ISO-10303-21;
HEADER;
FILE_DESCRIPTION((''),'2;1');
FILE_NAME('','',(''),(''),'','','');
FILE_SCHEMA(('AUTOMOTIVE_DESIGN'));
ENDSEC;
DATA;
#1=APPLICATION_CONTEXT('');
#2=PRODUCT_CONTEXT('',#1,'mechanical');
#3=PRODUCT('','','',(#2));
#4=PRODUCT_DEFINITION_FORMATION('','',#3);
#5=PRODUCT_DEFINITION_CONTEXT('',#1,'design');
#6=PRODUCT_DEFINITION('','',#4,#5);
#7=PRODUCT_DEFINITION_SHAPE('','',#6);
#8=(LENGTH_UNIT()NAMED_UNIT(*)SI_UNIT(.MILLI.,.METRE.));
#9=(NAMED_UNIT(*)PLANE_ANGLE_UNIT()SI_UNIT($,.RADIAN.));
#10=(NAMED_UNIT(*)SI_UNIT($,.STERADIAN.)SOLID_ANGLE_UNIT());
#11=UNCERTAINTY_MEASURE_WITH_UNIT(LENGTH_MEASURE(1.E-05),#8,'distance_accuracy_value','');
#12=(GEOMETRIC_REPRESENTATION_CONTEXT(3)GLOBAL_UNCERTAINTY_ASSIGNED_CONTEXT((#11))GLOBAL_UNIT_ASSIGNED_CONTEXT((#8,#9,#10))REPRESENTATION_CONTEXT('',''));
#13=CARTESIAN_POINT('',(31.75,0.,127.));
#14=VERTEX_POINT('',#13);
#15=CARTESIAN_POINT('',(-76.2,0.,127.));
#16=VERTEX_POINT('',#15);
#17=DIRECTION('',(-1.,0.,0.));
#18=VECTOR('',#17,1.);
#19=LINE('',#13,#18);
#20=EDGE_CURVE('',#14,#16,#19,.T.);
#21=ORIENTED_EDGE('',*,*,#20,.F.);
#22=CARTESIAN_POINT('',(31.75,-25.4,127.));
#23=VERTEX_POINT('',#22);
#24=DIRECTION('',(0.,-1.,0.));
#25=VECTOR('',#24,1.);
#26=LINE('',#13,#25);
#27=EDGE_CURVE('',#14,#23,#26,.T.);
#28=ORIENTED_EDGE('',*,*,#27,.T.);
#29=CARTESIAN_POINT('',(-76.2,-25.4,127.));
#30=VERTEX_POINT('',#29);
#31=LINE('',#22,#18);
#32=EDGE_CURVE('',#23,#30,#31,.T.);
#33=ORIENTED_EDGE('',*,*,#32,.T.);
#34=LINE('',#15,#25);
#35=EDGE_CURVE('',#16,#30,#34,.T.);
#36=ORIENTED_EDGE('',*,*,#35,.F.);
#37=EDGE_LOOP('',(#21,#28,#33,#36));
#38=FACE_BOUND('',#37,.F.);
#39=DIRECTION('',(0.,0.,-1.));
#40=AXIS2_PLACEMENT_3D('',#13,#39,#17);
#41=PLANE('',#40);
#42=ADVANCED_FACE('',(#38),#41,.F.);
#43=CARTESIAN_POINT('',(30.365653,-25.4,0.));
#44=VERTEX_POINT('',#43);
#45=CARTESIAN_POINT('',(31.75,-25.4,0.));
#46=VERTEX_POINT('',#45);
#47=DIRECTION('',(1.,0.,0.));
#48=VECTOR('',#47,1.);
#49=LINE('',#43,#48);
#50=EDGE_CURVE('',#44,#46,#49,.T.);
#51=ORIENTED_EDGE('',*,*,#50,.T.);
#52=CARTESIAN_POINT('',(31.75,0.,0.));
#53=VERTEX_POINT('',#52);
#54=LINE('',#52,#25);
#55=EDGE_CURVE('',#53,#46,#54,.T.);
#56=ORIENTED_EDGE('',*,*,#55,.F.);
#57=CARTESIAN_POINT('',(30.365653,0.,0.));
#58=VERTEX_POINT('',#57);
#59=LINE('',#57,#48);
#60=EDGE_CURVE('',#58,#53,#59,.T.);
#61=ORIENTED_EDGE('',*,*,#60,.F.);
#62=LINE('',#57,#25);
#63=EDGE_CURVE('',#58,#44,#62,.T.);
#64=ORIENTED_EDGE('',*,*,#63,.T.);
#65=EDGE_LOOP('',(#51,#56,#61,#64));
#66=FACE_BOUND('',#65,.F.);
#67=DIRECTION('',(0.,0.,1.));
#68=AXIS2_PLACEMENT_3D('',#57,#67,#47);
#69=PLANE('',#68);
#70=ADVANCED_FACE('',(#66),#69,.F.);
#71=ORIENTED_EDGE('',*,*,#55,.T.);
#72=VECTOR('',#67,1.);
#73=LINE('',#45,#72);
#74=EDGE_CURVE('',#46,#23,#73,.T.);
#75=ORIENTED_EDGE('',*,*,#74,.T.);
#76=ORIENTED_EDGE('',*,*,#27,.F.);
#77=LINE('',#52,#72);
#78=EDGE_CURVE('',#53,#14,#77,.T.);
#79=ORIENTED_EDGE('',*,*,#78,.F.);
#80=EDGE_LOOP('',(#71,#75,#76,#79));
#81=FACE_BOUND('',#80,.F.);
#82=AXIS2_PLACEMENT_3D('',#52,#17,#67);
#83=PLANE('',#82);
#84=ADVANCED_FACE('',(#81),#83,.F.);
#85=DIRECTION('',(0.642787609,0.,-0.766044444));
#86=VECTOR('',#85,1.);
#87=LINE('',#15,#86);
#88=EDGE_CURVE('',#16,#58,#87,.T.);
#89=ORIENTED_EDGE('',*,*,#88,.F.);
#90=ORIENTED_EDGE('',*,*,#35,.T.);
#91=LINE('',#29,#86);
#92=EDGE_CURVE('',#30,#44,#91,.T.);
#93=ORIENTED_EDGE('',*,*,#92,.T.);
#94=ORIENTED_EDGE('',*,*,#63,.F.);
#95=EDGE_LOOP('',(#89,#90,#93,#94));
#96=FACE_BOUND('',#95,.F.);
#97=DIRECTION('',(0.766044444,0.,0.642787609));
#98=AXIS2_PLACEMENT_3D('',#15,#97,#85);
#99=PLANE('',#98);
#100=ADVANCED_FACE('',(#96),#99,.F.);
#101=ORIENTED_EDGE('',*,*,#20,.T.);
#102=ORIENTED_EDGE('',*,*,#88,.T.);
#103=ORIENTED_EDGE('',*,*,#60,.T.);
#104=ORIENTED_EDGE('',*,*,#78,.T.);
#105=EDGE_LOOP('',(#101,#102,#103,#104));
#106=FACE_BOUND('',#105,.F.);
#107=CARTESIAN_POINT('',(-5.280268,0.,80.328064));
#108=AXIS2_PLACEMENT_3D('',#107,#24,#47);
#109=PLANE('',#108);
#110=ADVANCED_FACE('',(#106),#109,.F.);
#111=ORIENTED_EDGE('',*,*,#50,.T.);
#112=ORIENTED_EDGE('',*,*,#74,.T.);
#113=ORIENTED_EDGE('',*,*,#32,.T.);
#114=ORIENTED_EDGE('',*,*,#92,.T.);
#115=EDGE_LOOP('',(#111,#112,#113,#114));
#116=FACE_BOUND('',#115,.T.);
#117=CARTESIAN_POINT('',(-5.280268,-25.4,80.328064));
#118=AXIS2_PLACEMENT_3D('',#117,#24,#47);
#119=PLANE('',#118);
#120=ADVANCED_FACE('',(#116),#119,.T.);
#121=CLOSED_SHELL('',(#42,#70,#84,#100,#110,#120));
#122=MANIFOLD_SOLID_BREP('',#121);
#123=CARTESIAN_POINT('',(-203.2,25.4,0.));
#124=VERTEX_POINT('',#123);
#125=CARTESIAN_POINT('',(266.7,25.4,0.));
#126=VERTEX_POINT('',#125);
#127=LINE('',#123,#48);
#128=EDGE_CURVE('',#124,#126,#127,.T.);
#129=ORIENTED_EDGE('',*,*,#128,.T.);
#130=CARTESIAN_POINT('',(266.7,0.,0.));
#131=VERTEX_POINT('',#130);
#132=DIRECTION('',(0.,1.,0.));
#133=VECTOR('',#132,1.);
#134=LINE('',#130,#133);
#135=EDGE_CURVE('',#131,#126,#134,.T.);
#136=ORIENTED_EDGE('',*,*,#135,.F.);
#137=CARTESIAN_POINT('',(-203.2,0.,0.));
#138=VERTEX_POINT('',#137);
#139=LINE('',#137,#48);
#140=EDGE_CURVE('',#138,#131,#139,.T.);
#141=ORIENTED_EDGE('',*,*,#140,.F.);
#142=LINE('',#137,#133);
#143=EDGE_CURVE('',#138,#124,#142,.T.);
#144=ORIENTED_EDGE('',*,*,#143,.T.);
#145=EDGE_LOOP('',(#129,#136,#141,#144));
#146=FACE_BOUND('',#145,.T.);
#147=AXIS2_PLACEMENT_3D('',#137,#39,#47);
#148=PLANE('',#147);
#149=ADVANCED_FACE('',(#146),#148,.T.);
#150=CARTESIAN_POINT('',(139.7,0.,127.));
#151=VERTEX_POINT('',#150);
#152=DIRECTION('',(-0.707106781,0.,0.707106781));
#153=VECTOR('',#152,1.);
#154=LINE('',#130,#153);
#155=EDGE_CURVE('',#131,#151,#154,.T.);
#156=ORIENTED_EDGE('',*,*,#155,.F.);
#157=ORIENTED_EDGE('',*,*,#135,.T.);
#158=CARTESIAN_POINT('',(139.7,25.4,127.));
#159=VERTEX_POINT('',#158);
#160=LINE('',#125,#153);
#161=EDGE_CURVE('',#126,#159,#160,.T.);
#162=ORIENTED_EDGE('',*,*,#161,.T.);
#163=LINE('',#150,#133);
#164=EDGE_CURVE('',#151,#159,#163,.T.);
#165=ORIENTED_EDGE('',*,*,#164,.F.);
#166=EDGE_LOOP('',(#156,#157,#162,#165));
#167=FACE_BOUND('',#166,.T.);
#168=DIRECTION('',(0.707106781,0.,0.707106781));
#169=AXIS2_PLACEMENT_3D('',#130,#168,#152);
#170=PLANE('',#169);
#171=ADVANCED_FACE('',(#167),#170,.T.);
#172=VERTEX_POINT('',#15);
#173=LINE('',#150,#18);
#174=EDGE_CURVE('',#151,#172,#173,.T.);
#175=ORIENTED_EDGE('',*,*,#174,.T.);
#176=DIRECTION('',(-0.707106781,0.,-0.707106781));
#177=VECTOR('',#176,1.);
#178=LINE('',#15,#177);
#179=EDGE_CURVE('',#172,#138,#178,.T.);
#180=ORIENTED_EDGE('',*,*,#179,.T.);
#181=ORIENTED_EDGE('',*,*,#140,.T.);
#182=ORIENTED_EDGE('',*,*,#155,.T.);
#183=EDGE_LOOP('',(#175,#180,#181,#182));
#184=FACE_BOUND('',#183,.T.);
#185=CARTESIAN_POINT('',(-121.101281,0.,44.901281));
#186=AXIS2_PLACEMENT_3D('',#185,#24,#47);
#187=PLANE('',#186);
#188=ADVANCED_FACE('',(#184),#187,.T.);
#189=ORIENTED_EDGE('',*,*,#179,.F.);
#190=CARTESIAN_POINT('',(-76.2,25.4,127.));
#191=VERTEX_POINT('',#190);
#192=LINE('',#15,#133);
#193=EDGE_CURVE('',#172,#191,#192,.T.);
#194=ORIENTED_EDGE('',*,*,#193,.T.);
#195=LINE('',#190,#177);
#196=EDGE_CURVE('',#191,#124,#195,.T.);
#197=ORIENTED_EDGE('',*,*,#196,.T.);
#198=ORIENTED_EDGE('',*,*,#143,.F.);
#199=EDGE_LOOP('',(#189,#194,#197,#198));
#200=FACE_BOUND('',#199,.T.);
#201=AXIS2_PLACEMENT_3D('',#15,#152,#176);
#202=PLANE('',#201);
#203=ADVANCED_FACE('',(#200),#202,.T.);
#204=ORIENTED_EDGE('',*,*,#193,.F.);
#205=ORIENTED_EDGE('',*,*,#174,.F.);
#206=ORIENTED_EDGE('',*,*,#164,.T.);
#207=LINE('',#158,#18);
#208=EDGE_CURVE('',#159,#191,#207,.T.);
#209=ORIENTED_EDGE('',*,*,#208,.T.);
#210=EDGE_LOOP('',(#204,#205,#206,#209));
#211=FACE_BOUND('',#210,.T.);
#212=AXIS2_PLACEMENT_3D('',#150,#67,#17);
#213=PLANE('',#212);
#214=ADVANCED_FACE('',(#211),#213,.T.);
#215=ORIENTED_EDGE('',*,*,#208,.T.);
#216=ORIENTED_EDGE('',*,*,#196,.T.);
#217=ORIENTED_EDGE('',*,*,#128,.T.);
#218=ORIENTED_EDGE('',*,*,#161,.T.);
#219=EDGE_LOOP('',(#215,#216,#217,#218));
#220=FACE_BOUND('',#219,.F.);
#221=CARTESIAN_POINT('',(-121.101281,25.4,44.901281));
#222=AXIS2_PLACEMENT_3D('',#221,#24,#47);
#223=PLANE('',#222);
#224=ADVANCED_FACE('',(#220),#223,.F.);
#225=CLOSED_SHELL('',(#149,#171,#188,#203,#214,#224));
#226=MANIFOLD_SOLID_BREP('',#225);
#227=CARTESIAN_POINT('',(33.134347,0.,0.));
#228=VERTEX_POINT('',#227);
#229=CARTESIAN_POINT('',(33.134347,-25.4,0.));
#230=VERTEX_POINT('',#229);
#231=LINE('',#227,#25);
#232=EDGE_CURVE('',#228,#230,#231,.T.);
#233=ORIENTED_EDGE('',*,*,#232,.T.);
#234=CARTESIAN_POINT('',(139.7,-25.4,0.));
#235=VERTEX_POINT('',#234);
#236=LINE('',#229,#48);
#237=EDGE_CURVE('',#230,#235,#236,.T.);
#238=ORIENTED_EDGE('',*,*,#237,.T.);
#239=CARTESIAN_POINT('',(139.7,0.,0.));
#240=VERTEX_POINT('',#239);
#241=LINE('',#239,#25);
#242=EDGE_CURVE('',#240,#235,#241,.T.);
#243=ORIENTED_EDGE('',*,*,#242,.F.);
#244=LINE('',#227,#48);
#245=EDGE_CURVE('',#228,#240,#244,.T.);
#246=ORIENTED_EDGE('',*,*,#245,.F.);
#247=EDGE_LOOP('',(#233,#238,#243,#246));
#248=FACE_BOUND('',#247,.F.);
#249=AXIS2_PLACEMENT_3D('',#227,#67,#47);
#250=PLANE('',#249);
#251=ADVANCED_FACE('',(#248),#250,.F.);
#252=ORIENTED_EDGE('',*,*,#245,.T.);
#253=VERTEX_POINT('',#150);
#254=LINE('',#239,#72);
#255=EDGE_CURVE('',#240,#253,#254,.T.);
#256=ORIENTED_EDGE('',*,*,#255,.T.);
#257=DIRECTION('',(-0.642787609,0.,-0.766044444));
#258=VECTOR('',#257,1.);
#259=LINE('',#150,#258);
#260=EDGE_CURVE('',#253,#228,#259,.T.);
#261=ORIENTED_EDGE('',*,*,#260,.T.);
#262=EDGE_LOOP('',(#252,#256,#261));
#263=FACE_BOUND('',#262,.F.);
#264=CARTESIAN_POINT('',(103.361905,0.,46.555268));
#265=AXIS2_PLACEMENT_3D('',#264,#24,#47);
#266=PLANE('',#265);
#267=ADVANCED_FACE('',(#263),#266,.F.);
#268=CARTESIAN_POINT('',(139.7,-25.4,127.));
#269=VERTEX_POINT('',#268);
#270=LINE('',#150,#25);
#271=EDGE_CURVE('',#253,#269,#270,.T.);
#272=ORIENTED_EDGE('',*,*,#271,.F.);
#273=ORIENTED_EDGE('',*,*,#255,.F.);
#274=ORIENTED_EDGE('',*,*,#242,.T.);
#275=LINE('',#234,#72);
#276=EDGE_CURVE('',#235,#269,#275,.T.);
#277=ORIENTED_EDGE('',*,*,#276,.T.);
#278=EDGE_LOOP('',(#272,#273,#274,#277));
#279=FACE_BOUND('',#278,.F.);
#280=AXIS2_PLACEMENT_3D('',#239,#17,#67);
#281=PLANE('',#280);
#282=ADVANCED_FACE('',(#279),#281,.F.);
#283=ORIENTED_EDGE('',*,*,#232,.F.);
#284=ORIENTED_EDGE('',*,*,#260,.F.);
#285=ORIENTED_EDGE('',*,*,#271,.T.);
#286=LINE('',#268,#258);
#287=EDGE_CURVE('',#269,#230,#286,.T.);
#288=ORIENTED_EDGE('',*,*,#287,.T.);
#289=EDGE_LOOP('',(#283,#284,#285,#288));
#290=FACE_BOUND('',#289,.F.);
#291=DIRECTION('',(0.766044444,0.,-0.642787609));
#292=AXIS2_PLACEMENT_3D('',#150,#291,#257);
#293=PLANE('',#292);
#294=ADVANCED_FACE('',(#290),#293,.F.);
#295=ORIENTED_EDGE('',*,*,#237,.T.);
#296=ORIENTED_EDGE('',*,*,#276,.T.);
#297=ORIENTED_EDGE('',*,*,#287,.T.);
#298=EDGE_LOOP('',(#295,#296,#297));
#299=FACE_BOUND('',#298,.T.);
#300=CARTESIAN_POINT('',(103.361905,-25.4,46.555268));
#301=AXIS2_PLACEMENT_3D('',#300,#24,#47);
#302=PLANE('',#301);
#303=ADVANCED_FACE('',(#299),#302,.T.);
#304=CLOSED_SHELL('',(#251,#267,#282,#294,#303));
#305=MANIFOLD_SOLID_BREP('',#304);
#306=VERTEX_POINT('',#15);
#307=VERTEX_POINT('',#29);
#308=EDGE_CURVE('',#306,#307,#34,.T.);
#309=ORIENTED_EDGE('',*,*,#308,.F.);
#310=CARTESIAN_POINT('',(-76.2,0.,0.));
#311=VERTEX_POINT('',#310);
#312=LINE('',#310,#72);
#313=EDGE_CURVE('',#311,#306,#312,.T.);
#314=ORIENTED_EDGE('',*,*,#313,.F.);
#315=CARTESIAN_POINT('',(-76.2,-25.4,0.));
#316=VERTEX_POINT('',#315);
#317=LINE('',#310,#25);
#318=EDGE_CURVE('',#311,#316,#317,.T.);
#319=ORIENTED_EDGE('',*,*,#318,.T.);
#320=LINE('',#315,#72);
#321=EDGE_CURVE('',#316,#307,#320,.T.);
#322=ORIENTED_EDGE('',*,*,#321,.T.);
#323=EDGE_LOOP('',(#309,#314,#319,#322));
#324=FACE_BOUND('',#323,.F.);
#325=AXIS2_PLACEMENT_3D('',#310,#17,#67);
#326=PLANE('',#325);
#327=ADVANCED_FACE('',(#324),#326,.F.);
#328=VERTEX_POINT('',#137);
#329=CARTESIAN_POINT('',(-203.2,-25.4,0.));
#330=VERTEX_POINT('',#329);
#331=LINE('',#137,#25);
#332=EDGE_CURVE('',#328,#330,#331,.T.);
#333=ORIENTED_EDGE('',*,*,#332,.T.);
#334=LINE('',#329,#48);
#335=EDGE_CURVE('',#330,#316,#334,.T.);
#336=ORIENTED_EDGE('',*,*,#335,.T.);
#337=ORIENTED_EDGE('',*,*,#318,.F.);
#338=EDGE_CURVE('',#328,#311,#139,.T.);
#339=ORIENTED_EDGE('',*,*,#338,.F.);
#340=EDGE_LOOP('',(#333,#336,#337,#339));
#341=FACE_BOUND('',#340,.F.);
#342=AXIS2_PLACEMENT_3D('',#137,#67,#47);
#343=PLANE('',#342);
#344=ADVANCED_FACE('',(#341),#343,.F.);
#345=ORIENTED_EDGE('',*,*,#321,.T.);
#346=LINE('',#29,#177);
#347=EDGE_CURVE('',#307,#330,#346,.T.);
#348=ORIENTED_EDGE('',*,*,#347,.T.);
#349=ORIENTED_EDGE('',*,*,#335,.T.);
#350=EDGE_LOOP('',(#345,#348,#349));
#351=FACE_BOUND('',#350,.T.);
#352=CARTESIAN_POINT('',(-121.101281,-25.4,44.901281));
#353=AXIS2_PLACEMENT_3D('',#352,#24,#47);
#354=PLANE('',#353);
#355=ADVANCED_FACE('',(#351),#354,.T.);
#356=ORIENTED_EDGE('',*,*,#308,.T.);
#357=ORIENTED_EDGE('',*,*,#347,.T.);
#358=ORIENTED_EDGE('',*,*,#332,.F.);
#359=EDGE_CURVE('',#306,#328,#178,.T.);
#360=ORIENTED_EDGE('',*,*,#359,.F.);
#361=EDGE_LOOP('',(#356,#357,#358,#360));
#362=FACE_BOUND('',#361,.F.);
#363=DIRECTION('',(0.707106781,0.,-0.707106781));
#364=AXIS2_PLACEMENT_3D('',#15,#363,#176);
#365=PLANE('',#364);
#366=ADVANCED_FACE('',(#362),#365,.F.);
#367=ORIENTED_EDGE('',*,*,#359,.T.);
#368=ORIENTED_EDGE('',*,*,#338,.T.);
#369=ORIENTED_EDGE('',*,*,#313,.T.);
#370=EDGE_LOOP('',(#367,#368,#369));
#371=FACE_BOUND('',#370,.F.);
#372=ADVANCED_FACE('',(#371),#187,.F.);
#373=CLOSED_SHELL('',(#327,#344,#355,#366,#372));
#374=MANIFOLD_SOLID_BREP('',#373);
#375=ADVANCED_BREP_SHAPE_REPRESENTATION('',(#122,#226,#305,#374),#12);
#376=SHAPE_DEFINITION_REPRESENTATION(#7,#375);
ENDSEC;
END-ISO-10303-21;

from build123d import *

# Parameters (mm, degrees)
F1_DEPTH = 25.4
F2_DEPTH = 25.4


with BuildPart() as f1:
    # F0 (on Front) → F1 (new body)
    with BuildSketch(Plane.XZ):
        Polygon((-76.2, 127), (-203.2, 0), (-76.2, 0), align=None)
        Polygon((31.75, 127), (-76.2, 127), (30.365653, 0), (31.75, 0), align=None)
        Polygon((139.7, 0), (139.7, 127), (33.134347, 0), align=None)
    extrude(amount=F1_DEPTH)


with BuildPart() as f2:
    # F0 (on Front) → F2 (new body)
    with BuildSketch(Plane.XZ):
        Polygon((-76.2, 127), (-203.2, 0), (-76.2, 0), align=None)
        Polygon((-76.2, 127), (-76.2, 0), (30.365653, 0), align=None)
        Polygon((31.75, 127), (-76.2, 127), (30.365653, 0), (31.75, 0), align=None)
        Polygon((139.7, 127), (31.75, 127), (31.75, 0), (33.134347, 0), align=None)
        Polygon((266.7, 0), (139.7, 127), (139.7, 0), align=None)
        Polygon((139.7, 0), (139.7, 127), (33.134347, 0), align=None)
    extrude(amount=-F2_DEPTH)


solid = Compound([f1.part, f2.part])
